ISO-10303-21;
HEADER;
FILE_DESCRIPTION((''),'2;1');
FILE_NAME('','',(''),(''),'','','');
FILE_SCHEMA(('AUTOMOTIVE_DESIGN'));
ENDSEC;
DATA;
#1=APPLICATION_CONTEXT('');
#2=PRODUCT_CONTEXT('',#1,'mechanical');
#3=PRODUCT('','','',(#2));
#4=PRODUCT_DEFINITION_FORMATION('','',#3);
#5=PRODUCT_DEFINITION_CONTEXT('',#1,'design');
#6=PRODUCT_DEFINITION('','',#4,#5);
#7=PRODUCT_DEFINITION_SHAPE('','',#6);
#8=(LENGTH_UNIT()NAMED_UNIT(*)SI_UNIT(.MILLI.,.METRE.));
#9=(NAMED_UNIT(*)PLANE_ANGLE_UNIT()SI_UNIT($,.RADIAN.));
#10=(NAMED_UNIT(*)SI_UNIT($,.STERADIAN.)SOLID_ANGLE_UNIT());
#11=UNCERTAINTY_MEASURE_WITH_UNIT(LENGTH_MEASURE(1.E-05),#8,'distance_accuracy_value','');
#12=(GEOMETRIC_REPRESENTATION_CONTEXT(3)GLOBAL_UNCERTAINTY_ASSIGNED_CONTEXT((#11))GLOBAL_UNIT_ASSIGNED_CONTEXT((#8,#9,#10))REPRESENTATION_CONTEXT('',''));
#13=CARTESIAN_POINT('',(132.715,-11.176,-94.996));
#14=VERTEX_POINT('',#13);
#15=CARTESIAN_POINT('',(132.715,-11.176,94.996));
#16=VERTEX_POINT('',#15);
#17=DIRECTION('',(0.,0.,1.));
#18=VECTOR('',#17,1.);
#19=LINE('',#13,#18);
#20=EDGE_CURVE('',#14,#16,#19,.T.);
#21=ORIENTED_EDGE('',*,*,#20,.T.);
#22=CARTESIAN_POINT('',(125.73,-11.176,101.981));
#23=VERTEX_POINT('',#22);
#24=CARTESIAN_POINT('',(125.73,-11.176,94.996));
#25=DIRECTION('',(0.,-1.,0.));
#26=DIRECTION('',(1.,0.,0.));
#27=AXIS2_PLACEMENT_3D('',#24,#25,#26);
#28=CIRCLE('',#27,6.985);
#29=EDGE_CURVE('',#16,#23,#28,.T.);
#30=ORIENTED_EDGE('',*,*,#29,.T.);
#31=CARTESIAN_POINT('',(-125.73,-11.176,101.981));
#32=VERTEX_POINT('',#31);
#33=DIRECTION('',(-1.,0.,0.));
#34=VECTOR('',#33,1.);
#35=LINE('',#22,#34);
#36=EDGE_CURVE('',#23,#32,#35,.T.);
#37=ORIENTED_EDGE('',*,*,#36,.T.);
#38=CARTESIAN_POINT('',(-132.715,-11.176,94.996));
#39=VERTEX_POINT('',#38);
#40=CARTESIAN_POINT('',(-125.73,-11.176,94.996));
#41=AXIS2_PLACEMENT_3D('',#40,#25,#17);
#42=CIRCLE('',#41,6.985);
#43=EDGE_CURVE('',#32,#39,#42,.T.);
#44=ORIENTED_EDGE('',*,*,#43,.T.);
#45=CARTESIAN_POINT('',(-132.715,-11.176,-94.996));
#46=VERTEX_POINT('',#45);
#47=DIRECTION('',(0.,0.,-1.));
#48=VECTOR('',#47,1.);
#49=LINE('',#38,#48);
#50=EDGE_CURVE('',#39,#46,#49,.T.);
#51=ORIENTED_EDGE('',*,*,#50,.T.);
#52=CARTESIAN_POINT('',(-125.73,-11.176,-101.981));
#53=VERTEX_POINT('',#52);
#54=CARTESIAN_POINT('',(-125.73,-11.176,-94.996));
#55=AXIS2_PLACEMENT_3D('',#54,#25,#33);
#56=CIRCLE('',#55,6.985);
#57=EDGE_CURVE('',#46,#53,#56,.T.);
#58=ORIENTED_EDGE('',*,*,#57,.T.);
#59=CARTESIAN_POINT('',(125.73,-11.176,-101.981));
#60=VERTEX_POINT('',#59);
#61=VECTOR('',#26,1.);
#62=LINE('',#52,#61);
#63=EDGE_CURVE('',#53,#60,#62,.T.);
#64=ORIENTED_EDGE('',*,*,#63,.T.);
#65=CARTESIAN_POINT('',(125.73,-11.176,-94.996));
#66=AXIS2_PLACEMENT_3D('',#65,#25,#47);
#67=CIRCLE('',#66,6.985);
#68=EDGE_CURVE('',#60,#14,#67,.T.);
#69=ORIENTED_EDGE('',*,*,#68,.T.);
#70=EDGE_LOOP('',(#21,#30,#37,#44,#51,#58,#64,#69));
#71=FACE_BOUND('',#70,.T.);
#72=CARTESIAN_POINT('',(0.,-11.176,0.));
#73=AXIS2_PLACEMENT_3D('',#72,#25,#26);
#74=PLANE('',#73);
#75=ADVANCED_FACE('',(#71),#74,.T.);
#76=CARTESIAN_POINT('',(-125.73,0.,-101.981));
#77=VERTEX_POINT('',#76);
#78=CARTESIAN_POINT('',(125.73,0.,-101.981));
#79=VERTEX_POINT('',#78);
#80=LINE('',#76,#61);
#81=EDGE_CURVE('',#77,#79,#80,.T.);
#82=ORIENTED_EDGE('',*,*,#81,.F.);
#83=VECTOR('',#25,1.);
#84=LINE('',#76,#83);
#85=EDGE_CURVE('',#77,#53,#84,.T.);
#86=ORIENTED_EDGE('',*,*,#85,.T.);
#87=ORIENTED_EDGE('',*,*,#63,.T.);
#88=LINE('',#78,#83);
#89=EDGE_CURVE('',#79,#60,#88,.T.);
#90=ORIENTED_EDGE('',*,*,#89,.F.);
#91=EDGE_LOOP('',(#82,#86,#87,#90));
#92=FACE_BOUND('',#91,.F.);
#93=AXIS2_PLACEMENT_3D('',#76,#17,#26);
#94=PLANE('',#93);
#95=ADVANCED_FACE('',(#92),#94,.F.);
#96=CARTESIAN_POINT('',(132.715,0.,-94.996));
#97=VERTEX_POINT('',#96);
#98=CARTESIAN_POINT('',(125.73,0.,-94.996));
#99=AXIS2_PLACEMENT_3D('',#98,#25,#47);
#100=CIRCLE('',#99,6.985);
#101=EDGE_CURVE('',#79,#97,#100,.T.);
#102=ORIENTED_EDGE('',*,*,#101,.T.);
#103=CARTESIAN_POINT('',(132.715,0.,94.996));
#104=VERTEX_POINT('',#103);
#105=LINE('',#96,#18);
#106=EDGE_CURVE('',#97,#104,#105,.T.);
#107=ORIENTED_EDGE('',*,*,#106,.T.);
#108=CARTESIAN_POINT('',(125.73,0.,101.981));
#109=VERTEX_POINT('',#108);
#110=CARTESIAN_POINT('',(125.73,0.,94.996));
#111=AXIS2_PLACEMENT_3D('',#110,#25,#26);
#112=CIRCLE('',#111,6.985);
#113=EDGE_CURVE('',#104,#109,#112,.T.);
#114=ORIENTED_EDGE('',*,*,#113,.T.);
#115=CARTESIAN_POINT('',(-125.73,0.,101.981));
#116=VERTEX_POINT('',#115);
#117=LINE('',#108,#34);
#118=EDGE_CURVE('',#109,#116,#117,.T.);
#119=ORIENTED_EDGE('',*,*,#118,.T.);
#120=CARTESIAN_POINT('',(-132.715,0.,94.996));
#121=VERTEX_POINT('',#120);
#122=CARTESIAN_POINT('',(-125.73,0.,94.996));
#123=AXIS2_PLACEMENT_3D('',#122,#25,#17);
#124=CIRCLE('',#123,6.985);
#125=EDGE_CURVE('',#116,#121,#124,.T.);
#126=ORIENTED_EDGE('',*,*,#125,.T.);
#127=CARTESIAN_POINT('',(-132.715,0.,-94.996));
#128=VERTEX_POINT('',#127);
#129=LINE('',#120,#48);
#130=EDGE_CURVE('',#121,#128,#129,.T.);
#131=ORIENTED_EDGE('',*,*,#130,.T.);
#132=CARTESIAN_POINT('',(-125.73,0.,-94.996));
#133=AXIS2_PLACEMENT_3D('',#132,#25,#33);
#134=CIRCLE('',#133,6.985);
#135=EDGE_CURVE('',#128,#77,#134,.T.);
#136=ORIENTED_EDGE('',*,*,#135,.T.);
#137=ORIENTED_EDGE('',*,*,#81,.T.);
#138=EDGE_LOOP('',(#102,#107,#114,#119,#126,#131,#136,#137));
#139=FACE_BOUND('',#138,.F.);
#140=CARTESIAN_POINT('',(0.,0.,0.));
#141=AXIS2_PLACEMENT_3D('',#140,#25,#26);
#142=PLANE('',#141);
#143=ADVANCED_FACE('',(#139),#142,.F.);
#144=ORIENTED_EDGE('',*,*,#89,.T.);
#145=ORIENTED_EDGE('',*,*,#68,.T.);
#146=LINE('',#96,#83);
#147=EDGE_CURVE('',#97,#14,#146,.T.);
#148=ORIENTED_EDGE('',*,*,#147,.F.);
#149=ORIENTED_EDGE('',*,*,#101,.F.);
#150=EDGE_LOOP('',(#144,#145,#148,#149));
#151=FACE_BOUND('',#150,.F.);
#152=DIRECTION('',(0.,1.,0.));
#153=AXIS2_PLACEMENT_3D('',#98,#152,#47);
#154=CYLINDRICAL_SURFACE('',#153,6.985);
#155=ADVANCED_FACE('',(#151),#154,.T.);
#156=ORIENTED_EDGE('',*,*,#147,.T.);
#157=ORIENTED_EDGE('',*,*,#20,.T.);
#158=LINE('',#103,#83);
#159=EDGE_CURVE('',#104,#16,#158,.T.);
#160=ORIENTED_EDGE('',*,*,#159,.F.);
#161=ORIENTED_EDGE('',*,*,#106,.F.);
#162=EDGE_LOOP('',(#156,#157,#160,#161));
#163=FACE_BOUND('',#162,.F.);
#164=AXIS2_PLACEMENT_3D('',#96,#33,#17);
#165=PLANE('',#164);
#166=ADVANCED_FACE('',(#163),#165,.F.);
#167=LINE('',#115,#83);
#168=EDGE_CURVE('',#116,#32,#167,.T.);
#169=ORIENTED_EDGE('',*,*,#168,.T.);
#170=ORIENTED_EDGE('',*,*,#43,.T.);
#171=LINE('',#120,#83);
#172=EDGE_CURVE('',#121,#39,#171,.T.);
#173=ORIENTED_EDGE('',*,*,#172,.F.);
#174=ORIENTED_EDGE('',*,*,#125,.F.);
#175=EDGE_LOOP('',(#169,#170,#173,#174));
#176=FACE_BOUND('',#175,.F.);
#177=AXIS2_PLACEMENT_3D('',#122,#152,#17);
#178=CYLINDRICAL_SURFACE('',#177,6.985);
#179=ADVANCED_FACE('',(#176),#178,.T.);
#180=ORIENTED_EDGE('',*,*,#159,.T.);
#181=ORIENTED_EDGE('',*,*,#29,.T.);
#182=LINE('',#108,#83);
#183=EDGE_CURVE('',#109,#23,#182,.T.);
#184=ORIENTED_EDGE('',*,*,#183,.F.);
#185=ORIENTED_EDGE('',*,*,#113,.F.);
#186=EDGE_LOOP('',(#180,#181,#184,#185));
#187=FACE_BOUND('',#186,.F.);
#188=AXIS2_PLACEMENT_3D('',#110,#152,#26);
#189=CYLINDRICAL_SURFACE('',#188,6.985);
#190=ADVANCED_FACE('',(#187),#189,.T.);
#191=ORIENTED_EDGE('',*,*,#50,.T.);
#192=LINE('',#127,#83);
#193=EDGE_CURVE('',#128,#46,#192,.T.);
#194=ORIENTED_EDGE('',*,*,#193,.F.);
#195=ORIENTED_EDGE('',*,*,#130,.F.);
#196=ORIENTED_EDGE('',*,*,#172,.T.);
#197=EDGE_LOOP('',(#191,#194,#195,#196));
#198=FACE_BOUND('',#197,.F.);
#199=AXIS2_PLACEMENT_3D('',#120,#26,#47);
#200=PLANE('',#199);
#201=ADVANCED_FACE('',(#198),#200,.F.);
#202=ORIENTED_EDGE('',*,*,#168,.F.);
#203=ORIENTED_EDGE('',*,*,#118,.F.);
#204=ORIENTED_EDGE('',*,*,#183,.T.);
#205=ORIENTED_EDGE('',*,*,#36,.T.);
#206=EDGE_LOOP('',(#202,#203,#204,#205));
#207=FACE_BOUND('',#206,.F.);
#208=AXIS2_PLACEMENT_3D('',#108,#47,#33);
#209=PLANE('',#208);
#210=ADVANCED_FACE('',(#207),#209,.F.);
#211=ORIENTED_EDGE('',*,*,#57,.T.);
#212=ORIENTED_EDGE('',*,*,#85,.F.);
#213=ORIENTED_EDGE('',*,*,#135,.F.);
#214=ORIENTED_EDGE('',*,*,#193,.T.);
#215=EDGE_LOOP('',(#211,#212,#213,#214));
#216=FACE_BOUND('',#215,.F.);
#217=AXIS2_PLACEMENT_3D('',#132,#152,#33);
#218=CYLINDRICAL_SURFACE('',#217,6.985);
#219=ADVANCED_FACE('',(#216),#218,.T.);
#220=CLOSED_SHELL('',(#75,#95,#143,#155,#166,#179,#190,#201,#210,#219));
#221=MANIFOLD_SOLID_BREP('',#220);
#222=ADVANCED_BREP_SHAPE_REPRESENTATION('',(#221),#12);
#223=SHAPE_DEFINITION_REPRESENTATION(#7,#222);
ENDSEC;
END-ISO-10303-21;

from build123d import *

# Parameters (mm, degrees)
F1_DEPTH = 10.16
F2_SCALE = 1.1


with BuildPart() as f1:
    # F0 (on Front) → F1 (new body)
    with BuildSketch(Plane.XZ):
        with BuildLine():
            ThreePointArc((120.65, 86.36), (118.7901280605, 90.8501280605), (114.3, 92.71))
            Line((114.3, 92.71), (-114.3, 92.71))
            ThreePointArc((-114.3, 92.71), (-118.7901280605, 90.8501280605), (-120.65, 86.36))
            Line((-120.65, 86.36), (-120.65, -86.36))
            ThreePointArc((-120.65, -86.36), (-118.7901280605, -90.8501280605), (-114.3, -92.71))
            Line((-114.3, -92.71), (114.3, -92.71))
            ThreePointArc((114.3, -92.71), (118.7901280605, -90.8501280605), (120.65, -86.36))
            Line((120.65, -86.36), (120.65, 86.36))
        make_face()
    extrude(amount=F1_DEPTH)


with BuildPart() as f1_1:
    # F2: moved
    add(f1.part.scale(F2_SCALE))


solid = f1_1.part
